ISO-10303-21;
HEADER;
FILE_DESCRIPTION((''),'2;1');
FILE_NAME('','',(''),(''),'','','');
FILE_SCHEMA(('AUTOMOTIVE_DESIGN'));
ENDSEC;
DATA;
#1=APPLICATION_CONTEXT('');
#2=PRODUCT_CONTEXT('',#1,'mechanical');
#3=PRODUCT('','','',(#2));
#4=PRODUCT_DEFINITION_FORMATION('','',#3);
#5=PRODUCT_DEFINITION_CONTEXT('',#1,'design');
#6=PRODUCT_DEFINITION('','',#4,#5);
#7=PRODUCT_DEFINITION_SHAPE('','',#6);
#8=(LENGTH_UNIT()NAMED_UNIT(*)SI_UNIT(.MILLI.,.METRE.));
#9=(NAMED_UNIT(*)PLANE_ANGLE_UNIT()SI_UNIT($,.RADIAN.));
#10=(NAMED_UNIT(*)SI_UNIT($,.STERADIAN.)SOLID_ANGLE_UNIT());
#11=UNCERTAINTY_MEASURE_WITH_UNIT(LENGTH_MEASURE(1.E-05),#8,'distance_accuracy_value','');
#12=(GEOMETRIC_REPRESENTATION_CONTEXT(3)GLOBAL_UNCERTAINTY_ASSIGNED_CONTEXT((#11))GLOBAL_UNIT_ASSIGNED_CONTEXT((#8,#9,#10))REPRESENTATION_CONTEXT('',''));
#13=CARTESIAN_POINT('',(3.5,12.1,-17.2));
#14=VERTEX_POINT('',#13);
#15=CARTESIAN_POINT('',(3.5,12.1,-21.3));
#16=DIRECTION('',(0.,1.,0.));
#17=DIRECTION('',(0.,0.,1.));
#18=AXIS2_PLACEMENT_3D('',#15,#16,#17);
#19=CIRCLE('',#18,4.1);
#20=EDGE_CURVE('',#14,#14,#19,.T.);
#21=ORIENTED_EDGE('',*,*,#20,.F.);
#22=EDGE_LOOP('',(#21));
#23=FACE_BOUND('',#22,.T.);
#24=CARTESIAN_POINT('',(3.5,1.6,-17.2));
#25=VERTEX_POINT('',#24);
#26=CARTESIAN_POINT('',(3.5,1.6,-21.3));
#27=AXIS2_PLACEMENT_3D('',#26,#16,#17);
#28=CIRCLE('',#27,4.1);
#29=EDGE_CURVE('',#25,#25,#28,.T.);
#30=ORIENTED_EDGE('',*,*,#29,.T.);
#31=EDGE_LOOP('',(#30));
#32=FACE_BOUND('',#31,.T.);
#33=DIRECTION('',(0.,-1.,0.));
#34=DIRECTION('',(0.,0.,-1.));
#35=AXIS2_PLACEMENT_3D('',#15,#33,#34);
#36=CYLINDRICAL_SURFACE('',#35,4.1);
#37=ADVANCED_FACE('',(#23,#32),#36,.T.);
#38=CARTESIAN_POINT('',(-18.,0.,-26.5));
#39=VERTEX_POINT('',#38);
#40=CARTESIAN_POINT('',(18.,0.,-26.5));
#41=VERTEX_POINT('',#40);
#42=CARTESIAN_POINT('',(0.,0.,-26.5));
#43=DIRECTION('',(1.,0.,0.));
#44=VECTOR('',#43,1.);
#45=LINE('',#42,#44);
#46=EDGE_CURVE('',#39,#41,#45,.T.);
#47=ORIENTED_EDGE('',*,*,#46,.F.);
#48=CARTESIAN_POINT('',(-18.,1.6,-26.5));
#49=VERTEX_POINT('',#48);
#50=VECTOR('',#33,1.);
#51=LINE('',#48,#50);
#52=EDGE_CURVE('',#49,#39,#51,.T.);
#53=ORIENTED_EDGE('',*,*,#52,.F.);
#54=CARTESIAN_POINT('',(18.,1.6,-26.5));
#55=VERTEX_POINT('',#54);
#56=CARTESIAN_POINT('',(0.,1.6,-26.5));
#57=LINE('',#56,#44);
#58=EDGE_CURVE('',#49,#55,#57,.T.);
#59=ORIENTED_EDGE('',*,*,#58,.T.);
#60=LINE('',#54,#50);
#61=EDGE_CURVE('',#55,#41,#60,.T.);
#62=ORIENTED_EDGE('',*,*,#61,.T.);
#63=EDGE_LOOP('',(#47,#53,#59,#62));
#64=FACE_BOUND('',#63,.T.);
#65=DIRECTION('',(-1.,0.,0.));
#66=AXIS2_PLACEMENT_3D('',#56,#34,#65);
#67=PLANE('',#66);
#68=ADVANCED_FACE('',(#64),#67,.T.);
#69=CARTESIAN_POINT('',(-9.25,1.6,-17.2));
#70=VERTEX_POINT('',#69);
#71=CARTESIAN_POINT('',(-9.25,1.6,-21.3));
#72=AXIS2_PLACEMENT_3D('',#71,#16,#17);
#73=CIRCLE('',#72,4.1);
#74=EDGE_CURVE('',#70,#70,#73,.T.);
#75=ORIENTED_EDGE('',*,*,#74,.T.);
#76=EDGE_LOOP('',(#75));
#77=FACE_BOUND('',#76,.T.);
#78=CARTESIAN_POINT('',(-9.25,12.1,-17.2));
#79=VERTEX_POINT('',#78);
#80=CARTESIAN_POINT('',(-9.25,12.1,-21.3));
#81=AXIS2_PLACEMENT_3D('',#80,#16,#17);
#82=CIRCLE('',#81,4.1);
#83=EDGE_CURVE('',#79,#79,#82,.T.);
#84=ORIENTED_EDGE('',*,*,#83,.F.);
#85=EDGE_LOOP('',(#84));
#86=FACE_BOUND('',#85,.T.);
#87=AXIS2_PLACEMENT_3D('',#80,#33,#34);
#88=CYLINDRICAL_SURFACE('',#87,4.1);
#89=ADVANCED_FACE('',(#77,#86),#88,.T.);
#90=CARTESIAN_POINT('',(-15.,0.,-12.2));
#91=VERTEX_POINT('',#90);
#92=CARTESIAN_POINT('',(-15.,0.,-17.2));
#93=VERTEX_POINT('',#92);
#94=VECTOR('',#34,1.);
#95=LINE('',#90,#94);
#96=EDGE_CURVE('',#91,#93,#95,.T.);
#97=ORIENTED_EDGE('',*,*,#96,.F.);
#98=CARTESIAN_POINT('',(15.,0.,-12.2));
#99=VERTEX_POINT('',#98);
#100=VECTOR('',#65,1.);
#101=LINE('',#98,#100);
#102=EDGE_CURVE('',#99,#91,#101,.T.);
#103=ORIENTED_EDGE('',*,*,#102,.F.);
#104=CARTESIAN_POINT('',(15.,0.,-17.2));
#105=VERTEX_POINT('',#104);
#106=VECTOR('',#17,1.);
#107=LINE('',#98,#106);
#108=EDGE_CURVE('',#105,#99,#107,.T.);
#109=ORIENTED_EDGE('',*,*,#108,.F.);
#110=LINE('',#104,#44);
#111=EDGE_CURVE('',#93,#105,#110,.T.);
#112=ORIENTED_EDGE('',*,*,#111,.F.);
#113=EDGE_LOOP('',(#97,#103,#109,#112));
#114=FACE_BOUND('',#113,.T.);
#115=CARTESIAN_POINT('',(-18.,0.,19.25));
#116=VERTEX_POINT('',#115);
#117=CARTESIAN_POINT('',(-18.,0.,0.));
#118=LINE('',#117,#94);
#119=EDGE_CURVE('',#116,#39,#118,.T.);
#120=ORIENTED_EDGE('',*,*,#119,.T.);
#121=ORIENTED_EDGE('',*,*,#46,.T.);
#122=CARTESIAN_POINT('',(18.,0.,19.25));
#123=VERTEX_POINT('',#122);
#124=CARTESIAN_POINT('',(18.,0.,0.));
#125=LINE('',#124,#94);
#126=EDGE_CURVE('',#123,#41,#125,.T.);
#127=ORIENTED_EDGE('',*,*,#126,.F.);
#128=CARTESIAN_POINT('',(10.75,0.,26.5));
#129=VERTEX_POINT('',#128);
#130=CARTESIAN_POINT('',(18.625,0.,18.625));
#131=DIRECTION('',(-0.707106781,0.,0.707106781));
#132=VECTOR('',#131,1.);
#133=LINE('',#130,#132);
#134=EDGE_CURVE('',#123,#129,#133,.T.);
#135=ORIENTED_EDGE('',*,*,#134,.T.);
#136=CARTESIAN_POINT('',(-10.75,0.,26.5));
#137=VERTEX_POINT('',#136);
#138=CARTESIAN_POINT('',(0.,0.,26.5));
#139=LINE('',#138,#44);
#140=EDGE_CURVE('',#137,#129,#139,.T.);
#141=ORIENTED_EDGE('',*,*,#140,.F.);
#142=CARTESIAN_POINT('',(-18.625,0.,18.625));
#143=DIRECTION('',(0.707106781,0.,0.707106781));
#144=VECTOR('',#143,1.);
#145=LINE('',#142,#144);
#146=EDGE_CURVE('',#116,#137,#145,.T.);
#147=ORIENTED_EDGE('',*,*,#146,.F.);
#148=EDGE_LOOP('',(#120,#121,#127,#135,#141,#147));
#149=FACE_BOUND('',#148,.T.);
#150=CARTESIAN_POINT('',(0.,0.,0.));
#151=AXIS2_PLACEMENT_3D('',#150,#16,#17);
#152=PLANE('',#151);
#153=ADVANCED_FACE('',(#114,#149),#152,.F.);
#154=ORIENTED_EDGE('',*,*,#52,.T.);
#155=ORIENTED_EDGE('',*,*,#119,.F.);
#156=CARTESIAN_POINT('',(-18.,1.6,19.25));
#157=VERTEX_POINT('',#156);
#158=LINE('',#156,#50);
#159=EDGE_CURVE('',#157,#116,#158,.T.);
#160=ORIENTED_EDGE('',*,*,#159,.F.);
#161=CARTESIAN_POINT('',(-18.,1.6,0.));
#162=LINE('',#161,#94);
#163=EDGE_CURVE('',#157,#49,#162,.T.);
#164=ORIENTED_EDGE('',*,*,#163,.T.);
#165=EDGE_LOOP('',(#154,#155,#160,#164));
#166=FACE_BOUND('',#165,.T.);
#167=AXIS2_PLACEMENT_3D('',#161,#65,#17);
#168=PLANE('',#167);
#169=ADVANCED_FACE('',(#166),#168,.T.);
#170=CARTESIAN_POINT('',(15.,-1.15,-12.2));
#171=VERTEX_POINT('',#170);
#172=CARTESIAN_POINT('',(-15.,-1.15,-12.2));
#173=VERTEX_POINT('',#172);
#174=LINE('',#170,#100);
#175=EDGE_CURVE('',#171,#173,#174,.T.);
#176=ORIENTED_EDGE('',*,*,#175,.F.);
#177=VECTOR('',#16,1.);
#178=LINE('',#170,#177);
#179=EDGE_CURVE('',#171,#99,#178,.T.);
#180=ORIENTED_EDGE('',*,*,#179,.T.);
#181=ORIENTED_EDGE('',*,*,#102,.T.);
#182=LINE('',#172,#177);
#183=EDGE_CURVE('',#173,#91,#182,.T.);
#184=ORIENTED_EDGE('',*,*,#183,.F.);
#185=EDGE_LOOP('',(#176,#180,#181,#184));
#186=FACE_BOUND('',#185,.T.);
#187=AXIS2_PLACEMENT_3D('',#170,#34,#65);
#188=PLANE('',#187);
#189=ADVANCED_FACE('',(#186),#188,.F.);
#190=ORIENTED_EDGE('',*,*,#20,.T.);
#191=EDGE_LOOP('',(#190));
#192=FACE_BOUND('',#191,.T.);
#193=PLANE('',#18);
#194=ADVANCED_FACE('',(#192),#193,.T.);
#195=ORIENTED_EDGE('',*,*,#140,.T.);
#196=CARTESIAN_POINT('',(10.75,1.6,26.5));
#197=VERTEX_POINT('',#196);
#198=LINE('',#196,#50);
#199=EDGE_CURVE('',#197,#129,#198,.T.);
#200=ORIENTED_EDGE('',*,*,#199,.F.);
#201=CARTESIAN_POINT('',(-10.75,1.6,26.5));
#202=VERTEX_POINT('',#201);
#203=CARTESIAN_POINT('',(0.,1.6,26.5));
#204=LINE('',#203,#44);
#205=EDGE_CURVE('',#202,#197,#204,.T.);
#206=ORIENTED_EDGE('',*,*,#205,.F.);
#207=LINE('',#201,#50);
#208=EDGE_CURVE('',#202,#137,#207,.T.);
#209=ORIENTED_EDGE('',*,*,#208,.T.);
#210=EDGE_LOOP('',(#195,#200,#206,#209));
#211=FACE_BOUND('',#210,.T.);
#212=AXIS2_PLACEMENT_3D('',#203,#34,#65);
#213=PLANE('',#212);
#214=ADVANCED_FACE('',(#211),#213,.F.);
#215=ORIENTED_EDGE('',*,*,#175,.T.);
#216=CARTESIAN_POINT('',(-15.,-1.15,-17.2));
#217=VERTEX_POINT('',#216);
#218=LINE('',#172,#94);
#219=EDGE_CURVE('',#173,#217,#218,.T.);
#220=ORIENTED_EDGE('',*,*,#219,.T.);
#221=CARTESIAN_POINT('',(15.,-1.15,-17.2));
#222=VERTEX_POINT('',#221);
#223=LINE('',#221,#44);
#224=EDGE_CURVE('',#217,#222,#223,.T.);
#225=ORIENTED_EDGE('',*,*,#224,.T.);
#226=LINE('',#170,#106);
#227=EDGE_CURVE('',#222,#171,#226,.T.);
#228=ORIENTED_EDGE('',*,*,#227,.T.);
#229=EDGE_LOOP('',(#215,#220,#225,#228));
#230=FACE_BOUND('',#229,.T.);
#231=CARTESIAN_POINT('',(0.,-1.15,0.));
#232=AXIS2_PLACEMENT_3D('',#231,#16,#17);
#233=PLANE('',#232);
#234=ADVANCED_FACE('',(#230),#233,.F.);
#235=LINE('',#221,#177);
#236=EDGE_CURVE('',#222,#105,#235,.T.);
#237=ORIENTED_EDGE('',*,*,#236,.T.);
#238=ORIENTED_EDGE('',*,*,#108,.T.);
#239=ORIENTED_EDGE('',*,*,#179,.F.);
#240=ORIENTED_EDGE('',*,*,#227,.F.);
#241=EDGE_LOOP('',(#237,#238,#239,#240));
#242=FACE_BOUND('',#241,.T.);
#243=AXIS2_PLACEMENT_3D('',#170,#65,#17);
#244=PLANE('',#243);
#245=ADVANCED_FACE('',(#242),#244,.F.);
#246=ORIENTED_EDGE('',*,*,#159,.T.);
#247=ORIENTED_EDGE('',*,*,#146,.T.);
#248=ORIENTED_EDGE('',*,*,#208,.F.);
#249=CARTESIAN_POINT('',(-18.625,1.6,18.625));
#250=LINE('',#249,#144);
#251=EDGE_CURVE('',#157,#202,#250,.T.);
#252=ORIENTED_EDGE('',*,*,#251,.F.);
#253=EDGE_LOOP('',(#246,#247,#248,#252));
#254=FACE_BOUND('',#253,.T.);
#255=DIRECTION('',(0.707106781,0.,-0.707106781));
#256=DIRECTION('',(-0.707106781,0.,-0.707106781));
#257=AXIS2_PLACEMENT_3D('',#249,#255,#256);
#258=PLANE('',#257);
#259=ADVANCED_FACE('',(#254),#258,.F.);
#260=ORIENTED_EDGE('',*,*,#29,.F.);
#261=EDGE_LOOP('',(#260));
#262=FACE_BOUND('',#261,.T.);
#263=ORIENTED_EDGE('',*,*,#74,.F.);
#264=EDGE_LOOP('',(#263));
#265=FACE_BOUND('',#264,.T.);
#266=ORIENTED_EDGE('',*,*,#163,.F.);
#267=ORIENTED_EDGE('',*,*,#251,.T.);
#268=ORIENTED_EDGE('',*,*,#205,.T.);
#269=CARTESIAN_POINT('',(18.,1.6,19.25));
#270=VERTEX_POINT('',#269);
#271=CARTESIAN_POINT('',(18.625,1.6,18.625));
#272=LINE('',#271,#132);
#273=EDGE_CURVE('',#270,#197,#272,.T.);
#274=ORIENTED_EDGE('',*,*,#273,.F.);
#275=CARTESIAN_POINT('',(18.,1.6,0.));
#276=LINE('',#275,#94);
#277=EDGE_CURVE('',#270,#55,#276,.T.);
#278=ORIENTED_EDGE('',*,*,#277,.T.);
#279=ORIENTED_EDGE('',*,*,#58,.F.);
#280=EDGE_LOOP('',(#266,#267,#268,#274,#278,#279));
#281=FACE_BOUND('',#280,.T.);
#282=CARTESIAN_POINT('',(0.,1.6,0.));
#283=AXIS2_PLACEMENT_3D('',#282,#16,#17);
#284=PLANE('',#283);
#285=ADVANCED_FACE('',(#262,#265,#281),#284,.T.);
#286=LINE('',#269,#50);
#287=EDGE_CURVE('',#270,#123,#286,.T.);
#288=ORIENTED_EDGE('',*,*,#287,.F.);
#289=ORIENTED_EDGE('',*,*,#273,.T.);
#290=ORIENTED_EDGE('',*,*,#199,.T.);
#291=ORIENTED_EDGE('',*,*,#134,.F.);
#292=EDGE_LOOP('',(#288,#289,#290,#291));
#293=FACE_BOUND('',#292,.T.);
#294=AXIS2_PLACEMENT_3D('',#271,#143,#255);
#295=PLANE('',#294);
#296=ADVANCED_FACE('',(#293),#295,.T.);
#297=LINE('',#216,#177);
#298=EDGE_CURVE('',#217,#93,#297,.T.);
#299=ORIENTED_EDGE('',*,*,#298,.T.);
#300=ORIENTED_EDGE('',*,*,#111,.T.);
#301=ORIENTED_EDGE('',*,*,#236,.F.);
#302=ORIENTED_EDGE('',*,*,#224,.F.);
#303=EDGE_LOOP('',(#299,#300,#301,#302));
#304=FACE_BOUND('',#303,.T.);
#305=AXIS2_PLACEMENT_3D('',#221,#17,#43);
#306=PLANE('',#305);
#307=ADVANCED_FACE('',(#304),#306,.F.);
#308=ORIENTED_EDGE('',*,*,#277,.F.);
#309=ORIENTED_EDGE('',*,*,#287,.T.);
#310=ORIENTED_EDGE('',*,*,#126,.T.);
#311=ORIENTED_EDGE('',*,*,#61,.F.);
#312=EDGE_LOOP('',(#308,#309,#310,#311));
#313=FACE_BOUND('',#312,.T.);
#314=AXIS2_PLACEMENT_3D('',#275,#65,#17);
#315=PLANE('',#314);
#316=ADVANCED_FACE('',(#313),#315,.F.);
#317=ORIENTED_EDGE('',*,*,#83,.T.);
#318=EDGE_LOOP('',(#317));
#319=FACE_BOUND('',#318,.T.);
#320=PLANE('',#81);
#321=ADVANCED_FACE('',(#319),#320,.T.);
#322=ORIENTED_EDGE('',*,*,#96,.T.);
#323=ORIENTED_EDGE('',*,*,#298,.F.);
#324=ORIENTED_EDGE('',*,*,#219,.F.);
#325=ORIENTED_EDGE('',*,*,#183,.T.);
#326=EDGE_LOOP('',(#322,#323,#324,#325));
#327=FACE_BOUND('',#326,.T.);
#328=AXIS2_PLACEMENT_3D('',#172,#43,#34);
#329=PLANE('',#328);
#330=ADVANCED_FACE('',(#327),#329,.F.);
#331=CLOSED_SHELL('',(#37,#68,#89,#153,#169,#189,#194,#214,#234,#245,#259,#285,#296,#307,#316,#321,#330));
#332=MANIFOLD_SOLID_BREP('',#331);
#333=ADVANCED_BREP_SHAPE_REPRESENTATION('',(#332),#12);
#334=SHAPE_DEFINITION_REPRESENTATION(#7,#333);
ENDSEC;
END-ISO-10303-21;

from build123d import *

# Parameters (mm, degrees)
BOSS_EXTRUDE1_DEPTH = 1.6
SKETCH2_W           = 30
SKETCH2_H           = 5
BOSS_EXTRUDE2_DEPTH = 1.15
SKETCH3_R           = 4.1
BOSS_EXTRUDE3_DEPTH = 10.5


with BuildPart() as part:
    # Sketch1 → Boss-Extrude1 (new body)
    with BuildSketch(Plane(origin=(0, 0, 0), x_dir=(1, 0, 0), z_dir=(0, 1, 0))):
        Polygon((-18, 26.5), (-18, -19.25), (-10.75, -26.5), (10.75, -26.5), (18, -19.25), (18, 26.5), align=None)
    extrude(amount=BOSS_EXTRUDE1_DEPTH)

    # Sketch2 → Boss-Extrude2 (add)
    with BuildSketch(Plane.XZ):
        with Locations((0, -14.7)):
            Rectangle(SKETCH2_W, SKETCH2_H)
    extrude(amount=BOSS_EXTRUDE2_DEPTH)

    # Sketch3 → Boss-Extrude3 (add)
    with BuildSketch(Plane(origin=(0, 1.6, 0), x_dir=(1, 0, 0), z_dir=(0, 1, 0))):
        with Locations((-9.25, 21.3)):
            Circle(SKETCH3_R)
        with Locations((3.5, 21.3)):
            Circle(SKETCH3_R)
    extrude(amount=BOSS_EXTRUDE3_DEPTH)


solid = part.part
